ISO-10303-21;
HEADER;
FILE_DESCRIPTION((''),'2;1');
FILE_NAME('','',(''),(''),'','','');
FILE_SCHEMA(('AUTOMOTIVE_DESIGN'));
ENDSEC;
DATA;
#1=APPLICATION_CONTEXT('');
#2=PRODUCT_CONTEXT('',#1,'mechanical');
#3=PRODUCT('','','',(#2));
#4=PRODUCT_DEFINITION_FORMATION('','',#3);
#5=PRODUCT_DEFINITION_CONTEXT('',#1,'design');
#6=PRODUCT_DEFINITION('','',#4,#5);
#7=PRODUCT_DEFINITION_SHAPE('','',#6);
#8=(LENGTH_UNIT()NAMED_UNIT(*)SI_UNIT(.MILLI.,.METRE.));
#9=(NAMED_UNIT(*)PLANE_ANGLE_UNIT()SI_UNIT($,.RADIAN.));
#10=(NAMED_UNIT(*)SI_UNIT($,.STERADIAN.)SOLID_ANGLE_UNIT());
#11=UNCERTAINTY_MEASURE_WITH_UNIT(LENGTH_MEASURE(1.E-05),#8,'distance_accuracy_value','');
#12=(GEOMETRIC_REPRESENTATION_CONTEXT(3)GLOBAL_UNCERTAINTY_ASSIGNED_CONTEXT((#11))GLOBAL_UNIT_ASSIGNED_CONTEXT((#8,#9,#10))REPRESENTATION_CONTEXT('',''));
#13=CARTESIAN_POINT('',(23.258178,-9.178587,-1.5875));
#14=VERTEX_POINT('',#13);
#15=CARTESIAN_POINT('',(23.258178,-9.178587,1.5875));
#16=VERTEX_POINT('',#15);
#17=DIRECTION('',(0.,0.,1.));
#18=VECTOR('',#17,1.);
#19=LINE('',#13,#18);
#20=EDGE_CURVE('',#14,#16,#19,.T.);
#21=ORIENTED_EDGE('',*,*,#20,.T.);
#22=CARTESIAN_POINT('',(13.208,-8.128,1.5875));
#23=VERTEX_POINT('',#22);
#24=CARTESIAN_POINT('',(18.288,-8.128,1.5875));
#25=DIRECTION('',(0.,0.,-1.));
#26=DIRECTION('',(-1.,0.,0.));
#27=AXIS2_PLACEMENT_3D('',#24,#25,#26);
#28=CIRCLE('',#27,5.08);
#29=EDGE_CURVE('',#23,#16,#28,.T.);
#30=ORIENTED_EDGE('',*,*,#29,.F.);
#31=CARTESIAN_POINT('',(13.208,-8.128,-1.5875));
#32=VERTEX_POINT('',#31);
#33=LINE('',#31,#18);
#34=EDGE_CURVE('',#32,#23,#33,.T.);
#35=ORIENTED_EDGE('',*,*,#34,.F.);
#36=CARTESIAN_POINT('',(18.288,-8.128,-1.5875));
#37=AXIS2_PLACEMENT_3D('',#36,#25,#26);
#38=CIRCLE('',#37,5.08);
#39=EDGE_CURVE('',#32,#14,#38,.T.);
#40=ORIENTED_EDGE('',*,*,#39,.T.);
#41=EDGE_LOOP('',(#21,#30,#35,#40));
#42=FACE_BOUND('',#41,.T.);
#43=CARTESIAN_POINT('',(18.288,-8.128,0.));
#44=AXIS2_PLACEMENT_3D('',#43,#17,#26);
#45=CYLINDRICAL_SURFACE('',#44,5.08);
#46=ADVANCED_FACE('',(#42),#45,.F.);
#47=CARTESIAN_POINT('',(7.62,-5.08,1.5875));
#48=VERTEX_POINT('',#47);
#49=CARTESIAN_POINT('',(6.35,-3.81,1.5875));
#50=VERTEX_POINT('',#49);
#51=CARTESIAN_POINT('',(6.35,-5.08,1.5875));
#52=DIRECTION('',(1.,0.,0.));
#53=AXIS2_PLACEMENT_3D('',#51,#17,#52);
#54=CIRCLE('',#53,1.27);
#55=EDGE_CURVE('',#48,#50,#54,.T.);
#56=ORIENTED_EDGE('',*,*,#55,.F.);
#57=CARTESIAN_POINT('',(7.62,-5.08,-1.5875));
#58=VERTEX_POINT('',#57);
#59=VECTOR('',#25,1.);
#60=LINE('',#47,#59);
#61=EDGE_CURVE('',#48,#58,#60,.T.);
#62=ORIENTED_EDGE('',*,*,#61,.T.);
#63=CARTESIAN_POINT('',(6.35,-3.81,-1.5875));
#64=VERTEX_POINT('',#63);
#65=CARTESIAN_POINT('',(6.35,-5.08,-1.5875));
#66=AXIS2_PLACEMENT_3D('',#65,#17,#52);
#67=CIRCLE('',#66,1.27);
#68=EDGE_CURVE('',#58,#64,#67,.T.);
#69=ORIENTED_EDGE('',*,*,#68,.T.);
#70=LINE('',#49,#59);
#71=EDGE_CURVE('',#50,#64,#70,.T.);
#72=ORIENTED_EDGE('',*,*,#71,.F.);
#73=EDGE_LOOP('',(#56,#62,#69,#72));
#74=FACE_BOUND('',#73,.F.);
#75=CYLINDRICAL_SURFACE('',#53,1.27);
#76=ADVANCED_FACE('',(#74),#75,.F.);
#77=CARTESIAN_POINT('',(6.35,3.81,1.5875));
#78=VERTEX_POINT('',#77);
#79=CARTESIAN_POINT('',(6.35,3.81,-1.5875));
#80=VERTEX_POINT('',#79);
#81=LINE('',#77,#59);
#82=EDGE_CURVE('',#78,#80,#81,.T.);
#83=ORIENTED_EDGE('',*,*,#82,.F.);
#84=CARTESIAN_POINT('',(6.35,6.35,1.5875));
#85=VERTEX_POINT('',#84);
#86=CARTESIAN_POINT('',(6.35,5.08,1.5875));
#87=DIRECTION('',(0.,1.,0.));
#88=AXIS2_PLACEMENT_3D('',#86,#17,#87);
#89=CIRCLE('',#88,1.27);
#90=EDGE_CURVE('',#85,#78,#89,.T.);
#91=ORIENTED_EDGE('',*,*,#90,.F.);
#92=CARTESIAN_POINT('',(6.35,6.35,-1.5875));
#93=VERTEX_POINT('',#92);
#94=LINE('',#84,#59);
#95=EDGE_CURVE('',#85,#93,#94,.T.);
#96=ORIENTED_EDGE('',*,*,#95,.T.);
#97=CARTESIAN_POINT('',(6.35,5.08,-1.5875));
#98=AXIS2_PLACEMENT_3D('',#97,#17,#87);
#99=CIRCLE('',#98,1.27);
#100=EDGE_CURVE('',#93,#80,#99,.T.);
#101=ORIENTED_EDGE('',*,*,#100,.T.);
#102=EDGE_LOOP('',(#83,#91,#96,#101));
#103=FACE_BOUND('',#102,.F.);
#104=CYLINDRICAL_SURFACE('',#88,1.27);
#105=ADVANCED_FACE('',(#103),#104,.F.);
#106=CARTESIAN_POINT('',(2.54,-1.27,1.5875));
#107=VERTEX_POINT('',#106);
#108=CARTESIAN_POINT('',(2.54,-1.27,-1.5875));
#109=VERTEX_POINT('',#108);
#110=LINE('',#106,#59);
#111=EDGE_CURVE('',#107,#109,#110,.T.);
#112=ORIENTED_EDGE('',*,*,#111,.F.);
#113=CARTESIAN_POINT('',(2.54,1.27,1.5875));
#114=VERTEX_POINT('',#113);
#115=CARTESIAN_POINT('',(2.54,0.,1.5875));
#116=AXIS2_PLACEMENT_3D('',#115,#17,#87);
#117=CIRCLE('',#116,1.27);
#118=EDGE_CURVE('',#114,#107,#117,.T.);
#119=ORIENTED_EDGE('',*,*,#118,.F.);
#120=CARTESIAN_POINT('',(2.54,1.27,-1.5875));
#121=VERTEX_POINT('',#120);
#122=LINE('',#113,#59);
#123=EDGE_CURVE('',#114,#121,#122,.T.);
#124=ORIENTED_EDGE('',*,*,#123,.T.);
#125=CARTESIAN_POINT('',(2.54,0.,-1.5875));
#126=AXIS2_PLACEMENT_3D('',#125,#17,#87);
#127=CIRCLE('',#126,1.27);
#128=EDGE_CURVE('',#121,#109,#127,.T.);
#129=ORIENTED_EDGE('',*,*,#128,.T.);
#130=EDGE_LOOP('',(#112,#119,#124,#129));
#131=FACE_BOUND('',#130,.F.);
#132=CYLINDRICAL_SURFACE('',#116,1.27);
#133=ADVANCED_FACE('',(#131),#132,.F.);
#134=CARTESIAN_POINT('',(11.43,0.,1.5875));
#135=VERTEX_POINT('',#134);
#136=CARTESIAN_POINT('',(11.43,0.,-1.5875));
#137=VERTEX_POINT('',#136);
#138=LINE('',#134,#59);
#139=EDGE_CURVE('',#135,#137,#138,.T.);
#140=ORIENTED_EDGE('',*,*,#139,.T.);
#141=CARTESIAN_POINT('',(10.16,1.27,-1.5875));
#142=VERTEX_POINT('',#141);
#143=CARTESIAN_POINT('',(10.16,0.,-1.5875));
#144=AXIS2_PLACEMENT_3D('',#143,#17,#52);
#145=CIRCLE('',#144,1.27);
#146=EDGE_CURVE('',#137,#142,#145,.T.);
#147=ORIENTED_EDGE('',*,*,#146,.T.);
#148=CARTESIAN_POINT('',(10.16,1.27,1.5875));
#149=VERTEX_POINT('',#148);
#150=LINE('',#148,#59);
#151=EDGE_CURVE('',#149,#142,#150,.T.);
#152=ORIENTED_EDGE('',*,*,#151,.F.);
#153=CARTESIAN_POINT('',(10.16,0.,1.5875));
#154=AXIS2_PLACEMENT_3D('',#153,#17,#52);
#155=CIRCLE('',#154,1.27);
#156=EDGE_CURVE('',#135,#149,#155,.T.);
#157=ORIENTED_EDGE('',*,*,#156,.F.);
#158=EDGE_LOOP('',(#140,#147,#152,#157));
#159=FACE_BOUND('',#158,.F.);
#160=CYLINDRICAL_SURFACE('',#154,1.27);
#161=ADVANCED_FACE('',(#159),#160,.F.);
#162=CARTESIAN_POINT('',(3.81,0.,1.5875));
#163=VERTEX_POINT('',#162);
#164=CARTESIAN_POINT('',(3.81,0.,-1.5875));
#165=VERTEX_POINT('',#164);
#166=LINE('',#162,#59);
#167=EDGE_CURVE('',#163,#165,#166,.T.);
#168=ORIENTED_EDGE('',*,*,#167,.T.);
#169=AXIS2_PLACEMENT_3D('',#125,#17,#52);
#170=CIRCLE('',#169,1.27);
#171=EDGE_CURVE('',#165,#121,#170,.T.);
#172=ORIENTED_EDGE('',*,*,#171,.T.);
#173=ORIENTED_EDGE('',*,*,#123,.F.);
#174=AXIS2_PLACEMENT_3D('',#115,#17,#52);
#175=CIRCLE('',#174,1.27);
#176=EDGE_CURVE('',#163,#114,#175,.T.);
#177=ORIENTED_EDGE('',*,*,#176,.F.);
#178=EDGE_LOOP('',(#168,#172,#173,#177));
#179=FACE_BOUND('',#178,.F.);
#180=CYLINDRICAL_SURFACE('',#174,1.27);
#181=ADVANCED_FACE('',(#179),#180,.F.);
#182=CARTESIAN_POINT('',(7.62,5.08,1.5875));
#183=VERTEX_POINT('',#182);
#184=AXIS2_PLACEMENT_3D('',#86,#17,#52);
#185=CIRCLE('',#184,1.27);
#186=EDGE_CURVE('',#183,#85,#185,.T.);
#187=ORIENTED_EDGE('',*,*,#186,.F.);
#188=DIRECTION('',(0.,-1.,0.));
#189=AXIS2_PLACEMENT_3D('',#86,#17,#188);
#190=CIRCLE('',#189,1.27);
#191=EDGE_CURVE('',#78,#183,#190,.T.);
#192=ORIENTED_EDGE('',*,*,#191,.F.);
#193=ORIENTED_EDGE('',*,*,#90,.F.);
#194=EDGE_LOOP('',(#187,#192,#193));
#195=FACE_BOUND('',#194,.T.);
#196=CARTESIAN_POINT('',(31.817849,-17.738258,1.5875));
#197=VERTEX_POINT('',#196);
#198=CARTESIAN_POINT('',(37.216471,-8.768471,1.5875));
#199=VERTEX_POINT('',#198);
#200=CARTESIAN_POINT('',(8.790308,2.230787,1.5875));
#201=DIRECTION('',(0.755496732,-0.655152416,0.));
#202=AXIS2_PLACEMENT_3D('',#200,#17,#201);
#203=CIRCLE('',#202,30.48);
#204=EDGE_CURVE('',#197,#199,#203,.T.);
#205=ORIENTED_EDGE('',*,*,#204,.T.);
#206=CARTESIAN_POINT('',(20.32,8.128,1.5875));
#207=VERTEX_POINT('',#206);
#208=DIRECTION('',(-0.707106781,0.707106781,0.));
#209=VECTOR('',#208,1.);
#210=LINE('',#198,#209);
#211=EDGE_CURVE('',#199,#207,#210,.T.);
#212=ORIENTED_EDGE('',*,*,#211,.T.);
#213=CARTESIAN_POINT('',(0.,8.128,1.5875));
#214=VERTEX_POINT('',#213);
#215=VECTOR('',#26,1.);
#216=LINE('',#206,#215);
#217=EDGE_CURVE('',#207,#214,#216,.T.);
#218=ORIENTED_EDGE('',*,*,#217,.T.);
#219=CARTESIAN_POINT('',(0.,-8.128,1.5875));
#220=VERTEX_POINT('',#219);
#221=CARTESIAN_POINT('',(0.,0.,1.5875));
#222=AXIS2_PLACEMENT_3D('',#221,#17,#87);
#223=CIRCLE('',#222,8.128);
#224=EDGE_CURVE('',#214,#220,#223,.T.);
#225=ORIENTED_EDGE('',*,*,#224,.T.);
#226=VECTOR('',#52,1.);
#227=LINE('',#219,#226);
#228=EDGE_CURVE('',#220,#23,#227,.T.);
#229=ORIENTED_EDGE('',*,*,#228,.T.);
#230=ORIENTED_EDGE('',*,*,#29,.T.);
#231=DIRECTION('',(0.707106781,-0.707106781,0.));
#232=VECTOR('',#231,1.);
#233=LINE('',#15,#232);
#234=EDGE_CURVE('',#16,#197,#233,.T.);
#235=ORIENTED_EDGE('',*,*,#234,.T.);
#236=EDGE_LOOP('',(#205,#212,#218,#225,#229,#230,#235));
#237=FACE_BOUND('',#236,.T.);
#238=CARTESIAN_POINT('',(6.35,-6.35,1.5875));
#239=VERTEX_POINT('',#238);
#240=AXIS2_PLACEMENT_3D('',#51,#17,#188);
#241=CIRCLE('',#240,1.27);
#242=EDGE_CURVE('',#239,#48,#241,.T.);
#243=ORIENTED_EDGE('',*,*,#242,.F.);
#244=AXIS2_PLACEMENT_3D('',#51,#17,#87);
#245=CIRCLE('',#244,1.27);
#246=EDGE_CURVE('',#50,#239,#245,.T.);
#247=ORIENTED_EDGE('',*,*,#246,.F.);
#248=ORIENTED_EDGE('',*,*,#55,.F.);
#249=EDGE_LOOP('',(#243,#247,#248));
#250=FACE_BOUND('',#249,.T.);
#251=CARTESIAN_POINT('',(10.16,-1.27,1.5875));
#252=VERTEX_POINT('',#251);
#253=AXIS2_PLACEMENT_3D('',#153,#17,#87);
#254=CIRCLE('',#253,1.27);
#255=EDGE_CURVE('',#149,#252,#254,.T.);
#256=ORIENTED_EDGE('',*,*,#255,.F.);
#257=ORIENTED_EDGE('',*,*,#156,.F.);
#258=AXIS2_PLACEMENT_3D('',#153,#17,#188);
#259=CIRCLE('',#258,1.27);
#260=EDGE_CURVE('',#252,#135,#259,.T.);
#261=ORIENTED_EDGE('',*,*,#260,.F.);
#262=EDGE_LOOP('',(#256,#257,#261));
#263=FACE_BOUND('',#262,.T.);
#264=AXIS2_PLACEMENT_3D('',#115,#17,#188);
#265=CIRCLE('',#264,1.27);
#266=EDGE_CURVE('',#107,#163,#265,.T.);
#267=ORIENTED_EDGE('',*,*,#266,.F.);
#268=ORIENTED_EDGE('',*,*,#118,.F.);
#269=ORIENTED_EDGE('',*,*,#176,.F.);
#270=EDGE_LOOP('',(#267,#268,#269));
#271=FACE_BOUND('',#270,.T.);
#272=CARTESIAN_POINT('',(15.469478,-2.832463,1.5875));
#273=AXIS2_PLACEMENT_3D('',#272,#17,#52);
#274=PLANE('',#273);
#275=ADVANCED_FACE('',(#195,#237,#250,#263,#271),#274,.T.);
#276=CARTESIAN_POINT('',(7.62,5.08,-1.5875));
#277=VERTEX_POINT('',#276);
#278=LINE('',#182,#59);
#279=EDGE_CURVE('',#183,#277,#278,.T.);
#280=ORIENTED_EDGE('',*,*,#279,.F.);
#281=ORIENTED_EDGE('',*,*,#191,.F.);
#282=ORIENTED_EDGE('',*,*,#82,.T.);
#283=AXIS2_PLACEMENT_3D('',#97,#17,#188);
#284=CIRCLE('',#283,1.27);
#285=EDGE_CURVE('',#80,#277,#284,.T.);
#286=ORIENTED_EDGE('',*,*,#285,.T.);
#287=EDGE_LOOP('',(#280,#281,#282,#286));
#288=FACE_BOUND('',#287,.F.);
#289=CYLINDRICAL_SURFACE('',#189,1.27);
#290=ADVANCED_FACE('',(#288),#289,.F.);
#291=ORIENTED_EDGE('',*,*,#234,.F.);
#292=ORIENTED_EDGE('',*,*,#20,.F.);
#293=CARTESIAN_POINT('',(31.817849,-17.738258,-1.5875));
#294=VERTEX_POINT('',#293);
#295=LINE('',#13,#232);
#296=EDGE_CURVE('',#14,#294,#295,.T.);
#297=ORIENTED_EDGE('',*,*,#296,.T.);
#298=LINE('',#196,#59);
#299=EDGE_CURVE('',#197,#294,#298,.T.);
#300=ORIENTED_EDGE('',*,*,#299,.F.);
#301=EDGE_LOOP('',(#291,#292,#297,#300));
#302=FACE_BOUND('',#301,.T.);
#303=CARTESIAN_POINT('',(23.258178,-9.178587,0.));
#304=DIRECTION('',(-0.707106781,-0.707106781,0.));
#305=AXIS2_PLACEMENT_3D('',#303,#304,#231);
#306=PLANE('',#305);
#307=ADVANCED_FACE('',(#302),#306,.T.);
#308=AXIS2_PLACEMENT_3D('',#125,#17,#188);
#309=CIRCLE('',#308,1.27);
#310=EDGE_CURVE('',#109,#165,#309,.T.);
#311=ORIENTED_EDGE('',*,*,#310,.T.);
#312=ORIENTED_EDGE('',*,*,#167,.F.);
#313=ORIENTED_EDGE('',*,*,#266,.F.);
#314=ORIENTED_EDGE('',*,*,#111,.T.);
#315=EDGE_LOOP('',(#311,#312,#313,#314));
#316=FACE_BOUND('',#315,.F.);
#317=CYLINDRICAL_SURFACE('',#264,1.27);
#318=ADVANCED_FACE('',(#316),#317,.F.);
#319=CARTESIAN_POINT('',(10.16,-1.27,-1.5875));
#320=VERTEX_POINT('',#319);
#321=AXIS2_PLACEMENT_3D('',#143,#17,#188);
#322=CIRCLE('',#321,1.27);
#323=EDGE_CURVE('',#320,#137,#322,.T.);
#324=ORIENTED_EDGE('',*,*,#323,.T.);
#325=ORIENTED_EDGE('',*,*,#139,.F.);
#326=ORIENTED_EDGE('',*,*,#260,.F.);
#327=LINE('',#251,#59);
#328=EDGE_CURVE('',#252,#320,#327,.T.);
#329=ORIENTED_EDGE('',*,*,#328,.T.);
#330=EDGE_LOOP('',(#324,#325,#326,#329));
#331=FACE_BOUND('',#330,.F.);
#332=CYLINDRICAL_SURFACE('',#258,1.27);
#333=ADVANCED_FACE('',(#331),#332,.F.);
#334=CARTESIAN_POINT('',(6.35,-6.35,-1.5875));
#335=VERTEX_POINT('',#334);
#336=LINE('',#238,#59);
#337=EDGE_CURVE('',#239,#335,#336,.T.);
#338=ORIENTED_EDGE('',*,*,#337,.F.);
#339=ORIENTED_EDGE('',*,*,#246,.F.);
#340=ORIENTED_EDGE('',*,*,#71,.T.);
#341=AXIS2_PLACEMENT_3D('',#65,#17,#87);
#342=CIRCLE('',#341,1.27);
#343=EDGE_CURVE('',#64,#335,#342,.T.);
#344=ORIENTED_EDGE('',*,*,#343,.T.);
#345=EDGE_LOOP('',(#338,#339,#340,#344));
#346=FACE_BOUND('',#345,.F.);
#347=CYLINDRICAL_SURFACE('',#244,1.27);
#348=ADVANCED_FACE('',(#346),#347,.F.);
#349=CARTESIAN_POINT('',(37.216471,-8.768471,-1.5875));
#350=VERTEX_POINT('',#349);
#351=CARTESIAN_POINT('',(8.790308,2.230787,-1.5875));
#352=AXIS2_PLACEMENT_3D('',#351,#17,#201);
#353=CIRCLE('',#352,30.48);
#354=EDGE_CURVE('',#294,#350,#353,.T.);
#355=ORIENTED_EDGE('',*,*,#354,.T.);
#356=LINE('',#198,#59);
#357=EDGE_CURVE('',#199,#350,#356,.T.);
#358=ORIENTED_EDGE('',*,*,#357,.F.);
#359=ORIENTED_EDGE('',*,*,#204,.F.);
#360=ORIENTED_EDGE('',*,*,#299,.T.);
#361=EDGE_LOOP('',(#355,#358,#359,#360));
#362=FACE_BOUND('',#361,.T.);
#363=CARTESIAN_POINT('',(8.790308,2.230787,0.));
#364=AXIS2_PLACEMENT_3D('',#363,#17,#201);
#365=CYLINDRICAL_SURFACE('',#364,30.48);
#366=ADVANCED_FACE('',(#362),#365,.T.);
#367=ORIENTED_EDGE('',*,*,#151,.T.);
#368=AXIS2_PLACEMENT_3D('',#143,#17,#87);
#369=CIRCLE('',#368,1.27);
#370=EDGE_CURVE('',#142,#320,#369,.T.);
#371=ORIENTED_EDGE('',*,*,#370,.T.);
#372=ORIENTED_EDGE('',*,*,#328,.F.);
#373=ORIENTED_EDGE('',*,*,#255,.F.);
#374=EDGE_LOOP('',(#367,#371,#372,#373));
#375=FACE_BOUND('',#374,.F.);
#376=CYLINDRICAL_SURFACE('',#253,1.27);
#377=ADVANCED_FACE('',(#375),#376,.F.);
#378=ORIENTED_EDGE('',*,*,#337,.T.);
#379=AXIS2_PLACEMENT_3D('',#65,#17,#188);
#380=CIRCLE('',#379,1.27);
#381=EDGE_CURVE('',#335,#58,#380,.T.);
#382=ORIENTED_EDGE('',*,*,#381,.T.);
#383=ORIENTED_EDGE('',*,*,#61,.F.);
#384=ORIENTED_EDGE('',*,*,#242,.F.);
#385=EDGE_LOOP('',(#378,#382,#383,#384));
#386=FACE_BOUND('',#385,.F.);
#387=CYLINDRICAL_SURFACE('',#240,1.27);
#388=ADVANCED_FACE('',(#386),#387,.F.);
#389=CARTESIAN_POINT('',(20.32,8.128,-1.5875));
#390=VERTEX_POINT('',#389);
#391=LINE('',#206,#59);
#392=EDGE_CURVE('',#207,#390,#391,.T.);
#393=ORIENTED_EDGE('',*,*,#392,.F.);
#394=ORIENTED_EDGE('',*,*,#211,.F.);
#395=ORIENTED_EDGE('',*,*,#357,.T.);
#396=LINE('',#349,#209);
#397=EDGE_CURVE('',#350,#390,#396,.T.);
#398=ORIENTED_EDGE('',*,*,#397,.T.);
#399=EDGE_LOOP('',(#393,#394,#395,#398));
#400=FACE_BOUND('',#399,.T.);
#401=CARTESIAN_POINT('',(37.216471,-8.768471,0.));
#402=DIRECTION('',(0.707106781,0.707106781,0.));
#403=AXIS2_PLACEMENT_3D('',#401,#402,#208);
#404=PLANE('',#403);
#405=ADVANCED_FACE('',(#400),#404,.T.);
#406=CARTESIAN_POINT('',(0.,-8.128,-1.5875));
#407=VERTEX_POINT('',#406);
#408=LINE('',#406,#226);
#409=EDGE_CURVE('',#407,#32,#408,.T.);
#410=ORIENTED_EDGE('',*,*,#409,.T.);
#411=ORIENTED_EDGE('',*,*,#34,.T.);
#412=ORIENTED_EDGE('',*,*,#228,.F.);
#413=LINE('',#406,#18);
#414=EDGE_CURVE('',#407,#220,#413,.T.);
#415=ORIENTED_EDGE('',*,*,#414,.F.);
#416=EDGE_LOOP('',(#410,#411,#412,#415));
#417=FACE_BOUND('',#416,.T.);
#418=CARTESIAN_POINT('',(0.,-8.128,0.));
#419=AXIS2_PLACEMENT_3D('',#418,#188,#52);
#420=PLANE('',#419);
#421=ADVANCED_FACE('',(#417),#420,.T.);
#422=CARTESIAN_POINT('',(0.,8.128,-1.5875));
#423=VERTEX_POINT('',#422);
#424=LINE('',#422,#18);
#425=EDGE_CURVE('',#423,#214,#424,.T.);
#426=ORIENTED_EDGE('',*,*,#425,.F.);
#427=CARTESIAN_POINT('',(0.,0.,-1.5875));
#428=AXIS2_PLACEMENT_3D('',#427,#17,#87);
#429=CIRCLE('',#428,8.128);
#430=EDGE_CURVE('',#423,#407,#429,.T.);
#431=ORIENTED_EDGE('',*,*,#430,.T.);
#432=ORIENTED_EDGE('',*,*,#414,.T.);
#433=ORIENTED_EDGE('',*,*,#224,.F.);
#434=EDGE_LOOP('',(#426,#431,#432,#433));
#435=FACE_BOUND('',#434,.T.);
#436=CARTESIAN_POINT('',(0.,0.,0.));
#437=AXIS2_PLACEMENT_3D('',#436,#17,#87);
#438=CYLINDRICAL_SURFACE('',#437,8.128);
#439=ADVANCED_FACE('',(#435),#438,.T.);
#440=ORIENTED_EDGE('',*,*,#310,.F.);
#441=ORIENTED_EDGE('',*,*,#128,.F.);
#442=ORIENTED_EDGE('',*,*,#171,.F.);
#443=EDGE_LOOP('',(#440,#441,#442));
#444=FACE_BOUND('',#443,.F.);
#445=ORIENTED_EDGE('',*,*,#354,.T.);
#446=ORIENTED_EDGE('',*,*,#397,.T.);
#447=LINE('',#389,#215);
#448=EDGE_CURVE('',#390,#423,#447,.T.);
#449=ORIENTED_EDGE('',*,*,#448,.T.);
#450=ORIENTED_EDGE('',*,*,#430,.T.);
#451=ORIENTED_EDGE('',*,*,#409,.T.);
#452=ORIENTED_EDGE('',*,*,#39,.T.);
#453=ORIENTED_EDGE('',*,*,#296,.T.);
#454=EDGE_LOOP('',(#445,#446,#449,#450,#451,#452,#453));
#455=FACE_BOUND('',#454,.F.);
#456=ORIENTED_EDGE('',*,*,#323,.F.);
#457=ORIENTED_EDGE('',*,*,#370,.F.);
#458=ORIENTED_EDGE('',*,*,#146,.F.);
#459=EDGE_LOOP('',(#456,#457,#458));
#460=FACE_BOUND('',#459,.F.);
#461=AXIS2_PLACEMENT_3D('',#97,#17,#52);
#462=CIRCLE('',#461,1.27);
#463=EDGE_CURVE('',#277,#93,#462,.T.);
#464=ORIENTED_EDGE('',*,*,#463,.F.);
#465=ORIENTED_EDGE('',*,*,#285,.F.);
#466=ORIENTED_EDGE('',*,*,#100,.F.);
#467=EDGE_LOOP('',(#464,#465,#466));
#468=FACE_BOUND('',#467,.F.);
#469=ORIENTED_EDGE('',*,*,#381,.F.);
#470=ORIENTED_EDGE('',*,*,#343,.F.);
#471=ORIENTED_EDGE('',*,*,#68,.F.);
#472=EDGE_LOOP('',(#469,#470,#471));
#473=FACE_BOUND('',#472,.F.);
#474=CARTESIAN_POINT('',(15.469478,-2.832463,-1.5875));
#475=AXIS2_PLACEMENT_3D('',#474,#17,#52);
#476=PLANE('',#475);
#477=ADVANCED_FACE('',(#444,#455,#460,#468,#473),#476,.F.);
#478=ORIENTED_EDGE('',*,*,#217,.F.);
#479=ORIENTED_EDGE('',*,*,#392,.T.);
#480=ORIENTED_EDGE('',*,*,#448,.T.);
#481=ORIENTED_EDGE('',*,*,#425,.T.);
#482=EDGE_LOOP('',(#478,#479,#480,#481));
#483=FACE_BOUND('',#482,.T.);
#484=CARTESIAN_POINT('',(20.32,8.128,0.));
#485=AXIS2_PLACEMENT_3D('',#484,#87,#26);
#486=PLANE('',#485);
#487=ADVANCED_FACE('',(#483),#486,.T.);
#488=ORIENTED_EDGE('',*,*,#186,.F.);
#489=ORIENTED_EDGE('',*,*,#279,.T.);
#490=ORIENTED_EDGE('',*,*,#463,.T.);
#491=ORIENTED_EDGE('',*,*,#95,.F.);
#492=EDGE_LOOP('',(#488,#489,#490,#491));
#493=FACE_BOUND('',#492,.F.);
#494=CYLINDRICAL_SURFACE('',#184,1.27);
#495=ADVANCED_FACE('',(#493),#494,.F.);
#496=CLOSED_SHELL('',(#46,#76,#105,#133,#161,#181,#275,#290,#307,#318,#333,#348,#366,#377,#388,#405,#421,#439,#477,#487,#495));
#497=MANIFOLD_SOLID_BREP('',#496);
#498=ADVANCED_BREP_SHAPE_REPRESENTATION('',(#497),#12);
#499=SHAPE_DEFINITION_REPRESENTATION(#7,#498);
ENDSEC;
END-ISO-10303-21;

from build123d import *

# Parameters (mm, degrees)
F1_DEPTH = 1.5875
F3_DEPTH = 25.4


with BuildPart() as f1:
    # F0 (on Top) → F1 (new body, symmetric)
    with BuildSketch(Plane.XY):
        with BuildLine():
            Line((20.32, 8.128), (0, 8.128))
            ThreePointArc((0, 8.128), (-8.128, 0), (0, -8.128))
            Line((0, -8.128), (13.208, -8.128))
            ThreePointArc((13.208, -8.128), (18.8161559781, -3.0755301819), (23.2581776625, -9.1785874562))
            Line((23.2581776625, -9.1785874562), (31.8178486176, -17.7382584114))
            ThreePointArc((31.8178486176, -17.7382584114), (34.9051538271, -13.4868856063), (37.216470852, -8.768470852))
            Line((37.216470852, -8.768470852), (20.32, 8.128))
        make_face()
    extrude(amount=F1_DEPTH, both=True)

    # F2 (on face) → F3 (cut)
    with BuildSketch(Plane.XY.offset(1.5875)):
        with BuildLine():
            Line((10.16, 1.27), (10.16, -1.27))
            ThreePointArc((10.16, -1.27), (11.0580256121, -0.8980256121), (11.43, 0))
            ThreePointArc((11.43, 0), (11.0580256121, 0.8980256121), (10.16, 1.27))
        make_face()
        with BuildLine():
            ThreePointArc((10.16, 1.27), (8.89, 0), (10.16, -1.27))
            Line((10.16, -1.27), (10.16, 1.27))
        make_face()
        with BuildLine():
            Line((6.35, 6.35), (6.35, 3.81))
            ThreePointArc((6.35, 3.81), (7.2480256121, 4.1819743879), (7.62, 5.08))
            ThreePointArc((7.62, 5.08), (7.2480256121, 5.9780256121), (6.35, 6.35))
        make_face()
        with BuildLine():
            ThreePointArc((6.35, 6.35), (5.08, 5.08), (6.35, 3.81))
            Line((6.35, 3.81), (6.35, 6.35))
        make_face()
        with BuildLine():
            Line((2.54, 1.27), (2.54, -1.27))
            ThreePointArc((2.54, -1.27), (3.4380256121, -0.8980256121), (3.81, 0))
            ThreePointArc((3.81, 0), (3.4380256121, 0.8980256121), (2.54, 1.27))
        make_face()
        with BuildLine():
            ThreePointArc((2.54, 1.27), (1.27, 0), (2.54, -1.27))
            Line((2.54, -1.27), (2.54, 1.27))
        make_face()
        with BuildLine():
            ThreePointArc((6.35, -3.81), (5.08, -5.08), (6.35, -6.35))
            Line((6.35, -6.35), (6.35, -3.81))
        make_face()
        with BuildLine():
            Line((6.35, -3.81), (6.35, -6.35))
            ThreePointArc((6.35, -6.35), (7.2480256121, -5.9780256121), (7.62, -5.08))
            ThreePointArc((7.62, -5.08), (7.2480256121, -4.1819743879), (6.35, -3.81))
        make_face()
    extrude(amount=-F3_DEPTH, mode=Mode.SUBTRACT)


solid = f1.part
